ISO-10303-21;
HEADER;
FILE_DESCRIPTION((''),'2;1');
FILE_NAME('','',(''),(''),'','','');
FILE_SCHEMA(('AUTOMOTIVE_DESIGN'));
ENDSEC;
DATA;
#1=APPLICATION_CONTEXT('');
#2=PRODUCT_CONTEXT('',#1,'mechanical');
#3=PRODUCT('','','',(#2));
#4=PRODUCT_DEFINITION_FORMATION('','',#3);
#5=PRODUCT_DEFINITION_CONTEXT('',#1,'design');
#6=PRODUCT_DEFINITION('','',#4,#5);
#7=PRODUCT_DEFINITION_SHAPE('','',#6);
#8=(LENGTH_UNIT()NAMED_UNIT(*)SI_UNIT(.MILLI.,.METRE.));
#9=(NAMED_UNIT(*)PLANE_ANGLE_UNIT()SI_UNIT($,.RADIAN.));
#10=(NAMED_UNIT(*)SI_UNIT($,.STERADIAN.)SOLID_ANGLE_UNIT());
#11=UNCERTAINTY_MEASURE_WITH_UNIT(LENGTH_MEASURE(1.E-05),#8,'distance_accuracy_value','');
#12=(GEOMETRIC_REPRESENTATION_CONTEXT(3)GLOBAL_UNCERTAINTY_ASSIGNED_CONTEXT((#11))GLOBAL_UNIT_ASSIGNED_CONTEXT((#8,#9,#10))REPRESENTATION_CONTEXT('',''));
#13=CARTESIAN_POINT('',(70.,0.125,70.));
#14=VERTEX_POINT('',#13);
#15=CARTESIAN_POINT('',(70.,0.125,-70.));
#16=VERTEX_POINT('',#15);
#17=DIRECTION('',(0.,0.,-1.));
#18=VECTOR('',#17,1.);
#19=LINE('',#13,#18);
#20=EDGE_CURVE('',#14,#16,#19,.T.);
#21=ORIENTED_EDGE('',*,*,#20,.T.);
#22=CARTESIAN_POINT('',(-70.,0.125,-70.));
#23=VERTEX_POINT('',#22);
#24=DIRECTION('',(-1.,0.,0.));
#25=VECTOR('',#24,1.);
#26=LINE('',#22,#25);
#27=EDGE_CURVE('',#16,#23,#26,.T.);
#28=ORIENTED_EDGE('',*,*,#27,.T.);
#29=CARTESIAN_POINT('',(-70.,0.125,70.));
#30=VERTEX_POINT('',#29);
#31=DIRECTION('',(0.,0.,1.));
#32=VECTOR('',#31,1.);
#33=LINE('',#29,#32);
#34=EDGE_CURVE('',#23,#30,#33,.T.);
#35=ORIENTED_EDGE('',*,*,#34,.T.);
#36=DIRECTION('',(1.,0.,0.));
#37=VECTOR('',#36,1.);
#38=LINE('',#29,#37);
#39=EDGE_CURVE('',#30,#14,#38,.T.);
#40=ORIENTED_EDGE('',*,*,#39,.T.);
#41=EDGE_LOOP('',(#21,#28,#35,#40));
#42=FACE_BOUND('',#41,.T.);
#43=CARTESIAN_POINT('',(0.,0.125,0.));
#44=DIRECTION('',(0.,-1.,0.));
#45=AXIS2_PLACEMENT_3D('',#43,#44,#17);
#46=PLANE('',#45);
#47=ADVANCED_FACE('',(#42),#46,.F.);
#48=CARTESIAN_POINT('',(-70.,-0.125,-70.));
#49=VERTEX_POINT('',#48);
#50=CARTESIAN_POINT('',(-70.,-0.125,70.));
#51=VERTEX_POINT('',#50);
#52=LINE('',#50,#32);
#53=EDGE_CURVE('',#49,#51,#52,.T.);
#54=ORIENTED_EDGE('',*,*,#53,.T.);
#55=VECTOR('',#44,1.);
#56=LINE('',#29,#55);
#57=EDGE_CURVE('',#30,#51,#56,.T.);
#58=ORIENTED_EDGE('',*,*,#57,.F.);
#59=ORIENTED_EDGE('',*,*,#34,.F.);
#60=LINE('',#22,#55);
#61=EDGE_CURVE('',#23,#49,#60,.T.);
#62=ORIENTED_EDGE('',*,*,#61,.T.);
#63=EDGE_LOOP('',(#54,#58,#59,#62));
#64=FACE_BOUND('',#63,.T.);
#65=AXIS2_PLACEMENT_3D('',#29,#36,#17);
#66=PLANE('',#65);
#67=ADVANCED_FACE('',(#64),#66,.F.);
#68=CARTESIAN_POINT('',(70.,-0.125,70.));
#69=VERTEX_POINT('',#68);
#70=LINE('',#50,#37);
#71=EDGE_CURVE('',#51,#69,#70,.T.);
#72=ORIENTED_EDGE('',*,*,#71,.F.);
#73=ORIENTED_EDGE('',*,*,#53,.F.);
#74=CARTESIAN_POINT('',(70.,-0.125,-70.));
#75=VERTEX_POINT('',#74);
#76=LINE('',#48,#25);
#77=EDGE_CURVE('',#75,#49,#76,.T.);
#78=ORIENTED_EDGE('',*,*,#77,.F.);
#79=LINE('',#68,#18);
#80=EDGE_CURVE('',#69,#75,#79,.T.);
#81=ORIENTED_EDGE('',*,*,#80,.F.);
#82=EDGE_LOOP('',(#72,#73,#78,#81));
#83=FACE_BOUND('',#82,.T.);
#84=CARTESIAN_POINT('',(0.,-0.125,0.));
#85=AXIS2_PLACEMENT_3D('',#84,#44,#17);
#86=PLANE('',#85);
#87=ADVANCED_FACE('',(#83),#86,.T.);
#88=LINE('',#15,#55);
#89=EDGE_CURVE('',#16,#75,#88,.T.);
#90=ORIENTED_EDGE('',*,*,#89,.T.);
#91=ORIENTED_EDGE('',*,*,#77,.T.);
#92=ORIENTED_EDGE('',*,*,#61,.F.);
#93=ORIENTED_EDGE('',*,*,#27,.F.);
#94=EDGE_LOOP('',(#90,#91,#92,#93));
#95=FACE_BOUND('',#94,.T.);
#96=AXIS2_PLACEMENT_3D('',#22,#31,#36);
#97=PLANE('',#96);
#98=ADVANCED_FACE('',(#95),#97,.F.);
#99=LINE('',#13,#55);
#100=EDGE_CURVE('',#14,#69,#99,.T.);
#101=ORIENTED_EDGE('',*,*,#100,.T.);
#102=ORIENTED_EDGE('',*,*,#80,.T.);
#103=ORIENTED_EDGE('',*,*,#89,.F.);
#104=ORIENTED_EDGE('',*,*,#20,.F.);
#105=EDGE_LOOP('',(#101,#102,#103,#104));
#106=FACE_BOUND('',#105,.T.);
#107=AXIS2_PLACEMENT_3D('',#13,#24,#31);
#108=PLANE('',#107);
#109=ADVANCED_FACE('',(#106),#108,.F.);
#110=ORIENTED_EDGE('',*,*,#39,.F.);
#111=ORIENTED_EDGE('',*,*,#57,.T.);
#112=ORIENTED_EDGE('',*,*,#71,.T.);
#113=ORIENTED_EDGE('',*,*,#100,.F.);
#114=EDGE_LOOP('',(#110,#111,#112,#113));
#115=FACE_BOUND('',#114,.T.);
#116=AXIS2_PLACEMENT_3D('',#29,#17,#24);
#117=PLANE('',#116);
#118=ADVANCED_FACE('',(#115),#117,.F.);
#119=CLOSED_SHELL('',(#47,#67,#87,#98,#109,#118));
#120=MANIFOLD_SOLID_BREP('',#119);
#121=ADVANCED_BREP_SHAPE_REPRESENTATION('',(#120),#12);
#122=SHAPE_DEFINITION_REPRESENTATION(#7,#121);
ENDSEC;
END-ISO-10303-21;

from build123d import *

# Parameters (mm, degrees)
SKETCH1_W           = 140
SKETCH1_H           = 140
BOSS_EXTRUDE1_DEPTH = 0.125


with BuildPart() as part:
    # Sketch1 → Boss-Extrude1 (new, symmetric)
    with BuildSketch(Plane(origin=(0, 0, 0), x_dir=(1, 0, 0), z_dir=(0, 1, 0))):
        Rectangle(SKETCH1_W, SKETCH1_H)
    extrude(amount=BOSS_EXTRUDE1_DEPTH, both=True)


solid = part.part
